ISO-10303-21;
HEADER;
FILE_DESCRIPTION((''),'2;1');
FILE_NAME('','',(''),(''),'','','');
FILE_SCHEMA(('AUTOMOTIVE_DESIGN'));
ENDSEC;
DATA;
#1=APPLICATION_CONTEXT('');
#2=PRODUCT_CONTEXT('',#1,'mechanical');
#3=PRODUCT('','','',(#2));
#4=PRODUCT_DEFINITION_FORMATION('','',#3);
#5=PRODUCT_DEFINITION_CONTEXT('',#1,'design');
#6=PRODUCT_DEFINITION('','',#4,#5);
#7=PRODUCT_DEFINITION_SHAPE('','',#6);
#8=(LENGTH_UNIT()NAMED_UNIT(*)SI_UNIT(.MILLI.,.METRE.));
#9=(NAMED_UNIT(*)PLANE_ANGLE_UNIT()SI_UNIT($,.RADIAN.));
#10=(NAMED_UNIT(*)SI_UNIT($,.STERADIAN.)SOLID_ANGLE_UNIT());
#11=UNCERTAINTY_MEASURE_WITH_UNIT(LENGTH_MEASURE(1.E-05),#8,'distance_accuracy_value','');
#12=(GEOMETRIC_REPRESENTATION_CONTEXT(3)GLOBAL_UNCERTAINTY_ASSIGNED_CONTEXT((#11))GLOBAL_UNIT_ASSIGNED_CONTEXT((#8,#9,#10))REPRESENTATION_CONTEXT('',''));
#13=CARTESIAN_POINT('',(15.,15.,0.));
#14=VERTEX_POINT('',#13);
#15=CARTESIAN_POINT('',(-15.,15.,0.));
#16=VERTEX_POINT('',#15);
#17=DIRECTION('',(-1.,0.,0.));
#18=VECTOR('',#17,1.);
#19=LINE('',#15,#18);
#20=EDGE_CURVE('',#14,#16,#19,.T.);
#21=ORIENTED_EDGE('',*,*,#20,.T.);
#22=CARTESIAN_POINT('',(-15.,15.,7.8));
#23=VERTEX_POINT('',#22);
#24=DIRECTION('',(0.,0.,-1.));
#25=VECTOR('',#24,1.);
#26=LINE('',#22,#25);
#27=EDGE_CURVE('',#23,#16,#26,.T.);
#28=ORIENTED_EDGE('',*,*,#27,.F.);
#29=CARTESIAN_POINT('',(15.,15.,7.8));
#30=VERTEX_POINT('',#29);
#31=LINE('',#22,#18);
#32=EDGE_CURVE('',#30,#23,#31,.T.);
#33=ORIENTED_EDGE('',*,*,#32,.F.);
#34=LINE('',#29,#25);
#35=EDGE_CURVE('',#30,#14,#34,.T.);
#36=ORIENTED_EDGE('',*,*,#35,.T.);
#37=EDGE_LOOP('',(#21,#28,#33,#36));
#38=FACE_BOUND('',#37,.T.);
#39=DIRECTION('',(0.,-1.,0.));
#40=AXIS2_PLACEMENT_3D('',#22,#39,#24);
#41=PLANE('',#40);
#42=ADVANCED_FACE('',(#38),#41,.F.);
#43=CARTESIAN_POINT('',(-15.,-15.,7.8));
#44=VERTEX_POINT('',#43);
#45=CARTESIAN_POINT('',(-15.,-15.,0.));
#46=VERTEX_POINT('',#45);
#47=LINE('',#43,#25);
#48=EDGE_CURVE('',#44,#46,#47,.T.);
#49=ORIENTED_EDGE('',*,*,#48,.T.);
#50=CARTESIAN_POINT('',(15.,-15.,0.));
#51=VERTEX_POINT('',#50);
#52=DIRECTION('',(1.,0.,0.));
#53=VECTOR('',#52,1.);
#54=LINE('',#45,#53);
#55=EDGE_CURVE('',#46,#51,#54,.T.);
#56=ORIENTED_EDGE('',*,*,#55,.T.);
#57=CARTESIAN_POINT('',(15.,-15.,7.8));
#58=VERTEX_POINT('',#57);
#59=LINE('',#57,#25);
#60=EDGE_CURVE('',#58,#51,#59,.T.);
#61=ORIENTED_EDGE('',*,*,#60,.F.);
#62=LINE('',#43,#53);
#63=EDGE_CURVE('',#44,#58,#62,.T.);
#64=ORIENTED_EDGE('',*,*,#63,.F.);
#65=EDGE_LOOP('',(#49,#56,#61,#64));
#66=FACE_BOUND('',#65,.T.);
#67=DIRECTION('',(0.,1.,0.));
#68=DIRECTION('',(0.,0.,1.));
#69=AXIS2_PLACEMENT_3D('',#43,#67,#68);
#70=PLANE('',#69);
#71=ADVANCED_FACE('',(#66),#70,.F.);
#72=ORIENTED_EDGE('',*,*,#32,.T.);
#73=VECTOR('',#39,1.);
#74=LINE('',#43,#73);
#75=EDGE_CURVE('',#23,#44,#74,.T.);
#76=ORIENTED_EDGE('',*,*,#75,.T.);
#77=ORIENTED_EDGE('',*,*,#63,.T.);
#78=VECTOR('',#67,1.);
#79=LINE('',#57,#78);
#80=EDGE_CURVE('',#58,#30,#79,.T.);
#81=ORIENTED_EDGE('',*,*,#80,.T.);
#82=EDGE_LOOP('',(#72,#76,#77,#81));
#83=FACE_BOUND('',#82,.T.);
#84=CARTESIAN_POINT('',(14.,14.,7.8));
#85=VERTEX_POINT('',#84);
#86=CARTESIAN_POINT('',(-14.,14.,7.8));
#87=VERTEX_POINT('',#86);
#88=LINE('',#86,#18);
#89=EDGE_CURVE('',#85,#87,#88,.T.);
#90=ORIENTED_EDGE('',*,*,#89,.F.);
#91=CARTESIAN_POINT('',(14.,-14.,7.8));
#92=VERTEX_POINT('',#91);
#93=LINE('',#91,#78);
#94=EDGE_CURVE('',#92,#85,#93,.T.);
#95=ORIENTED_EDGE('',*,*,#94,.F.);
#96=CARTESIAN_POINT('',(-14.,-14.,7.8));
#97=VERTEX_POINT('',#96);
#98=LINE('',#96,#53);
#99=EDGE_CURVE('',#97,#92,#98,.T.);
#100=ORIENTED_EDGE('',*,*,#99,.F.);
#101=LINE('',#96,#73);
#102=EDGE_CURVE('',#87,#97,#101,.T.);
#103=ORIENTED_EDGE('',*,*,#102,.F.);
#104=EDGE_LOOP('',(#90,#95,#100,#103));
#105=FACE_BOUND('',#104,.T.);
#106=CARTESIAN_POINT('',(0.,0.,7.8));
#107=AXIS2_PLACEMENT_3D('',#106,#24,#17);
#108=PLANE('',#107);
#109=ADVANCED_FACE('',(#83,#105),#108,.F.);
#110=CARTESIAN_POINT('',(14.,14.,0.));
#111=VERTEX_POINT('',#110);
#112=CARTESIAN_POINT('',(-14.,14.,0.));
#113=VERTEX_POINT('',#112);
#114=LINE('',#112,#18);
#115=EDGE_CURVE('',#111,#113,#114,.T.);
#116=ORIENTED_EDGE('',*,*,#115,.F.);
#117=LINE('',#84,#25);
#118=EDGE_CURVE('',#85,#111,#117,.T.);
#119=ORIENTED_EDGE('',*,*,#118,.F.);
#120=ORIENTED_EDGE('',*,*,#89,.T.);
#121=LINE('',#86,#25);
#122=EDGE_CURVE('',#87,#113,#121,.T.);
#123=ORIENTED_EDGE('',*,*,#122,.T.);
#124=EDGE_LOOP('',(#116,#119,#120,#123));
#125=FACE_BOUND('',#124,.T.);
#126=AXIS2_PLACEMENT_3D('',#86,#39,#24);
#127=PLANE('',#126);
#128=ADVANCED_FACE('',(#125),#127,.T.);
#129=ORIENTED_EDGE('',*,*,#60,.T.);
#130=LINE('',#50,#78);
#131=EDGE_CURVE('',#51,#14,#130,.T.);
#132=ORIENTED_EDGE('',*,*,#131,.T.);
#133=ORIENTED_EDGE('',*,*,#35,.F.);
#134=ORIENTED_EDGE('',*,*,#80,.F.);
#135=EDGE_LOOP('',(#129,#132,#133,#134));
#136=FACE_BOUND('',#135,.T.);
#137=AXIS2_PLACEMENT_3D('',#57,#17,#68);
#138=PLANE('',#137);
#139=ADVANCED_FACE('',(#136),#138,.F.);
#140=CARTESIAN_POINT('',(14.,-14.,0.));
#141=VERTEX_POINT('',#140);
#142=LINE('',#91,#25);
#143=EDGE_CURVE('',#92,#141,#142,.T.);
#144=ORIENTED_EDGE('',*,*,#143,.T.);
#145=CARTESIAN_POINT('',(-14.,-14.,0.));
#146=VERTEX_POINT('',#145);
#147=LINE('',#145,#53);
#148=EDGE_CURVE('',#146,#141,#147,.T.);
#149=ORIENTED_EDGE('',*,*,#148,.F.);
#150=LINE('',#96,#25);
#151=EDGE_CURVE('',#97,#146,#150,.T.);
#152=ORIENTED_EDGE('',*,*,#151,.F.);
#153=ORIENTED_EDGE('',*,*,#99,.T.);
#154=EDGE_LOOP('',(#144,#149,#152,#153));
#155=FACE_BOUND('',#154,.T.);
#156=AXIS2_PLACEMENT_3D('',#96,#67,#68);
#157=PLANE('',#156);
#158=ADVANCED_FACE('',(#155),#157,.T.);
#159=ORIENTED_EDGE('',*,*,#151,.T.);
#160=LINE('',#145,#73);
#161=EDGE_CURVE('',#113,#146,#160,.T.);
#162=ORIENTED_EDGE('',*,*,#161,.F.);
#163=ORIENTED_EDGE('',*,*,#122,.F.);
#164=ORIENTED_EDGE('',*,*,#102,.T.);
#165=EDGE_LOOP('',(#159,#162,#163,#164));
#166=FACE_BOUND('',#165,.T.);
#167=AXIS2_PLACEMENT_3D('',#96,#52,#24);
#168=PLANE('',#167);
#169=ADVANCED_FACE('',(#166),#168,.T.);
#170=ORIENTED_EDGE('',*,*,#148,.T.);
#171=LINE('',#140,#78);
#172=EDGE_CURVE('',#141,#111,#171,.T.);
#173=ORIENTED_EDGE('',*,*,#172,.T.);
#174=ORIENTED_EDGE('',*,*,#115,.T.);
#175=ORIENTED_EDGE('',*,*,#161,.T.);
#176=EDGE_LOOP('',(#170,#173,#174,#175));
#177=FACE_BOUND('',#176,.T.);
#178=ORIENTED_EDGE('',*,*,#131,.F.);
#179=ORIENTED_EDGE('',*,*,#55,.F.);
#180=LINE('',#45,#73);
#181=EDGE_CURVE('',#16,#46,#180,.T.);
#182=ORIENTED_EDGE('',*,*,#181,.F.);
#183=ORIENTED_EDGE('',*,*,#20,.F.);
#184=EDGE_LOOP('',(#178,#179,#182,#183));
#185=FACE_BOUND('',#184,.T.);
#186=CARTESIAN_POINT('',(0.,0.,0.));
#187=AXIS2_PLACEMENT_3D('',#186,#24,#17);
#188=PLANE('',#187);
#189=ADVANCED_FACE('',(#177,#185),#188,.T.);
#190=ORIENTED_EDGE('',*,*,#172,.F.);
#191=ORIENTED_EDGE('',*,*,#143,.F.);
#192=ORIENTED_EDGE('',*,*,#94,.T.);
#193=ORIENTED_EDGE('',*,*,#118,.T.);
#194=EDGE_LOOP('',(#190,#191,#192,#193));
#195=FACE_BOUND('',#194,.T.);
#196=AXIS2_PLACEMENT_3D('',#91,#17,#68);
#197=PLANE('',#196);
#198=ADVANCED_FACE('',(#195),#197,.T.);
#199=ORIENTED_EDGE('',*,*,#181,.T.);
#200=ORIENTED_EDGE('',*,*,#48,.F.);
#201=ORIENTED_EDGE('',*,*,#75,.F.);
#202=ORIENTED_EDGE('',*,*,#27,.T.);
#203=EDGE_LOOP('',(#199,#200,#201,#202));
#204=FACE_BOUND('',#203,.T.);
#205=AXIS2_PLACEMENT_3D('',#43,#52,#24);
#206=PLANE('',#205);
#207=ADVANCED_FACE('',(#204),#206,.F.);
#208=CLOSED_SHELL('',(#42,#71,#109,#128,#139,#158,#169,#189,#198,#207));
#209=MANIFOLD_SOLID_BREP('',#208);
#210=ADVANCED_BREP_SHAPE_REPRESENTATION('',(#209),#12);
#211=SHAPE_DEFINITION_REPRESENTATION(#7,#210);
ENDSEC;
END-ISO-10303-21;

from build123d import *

# Parameters (mm, degrees)
ESQUISSE1_W        = 30
ESQUISSE1_H        = 30
ESQUISSE1_W_2      = 28
ESQUISSE1_H_2      = 28
BOSS_EXTRU_1_DEPTH = 7.8


with BuildPart() as part:
    # Esquisse1 → Boss.-Extru.1 (new body)
    with BuildSketch(Plane.XY):
        Rectangle(ESQUISSE1_W, ESQUISSE1_H)
        Rectangle(ESQUISSE1_W_2, ESQUISSE1_H_2, mode=Mode.SUBTRACT)
    extrude(amount=BOSS_EXTRU_1_DEPTH)


solid = part.part
